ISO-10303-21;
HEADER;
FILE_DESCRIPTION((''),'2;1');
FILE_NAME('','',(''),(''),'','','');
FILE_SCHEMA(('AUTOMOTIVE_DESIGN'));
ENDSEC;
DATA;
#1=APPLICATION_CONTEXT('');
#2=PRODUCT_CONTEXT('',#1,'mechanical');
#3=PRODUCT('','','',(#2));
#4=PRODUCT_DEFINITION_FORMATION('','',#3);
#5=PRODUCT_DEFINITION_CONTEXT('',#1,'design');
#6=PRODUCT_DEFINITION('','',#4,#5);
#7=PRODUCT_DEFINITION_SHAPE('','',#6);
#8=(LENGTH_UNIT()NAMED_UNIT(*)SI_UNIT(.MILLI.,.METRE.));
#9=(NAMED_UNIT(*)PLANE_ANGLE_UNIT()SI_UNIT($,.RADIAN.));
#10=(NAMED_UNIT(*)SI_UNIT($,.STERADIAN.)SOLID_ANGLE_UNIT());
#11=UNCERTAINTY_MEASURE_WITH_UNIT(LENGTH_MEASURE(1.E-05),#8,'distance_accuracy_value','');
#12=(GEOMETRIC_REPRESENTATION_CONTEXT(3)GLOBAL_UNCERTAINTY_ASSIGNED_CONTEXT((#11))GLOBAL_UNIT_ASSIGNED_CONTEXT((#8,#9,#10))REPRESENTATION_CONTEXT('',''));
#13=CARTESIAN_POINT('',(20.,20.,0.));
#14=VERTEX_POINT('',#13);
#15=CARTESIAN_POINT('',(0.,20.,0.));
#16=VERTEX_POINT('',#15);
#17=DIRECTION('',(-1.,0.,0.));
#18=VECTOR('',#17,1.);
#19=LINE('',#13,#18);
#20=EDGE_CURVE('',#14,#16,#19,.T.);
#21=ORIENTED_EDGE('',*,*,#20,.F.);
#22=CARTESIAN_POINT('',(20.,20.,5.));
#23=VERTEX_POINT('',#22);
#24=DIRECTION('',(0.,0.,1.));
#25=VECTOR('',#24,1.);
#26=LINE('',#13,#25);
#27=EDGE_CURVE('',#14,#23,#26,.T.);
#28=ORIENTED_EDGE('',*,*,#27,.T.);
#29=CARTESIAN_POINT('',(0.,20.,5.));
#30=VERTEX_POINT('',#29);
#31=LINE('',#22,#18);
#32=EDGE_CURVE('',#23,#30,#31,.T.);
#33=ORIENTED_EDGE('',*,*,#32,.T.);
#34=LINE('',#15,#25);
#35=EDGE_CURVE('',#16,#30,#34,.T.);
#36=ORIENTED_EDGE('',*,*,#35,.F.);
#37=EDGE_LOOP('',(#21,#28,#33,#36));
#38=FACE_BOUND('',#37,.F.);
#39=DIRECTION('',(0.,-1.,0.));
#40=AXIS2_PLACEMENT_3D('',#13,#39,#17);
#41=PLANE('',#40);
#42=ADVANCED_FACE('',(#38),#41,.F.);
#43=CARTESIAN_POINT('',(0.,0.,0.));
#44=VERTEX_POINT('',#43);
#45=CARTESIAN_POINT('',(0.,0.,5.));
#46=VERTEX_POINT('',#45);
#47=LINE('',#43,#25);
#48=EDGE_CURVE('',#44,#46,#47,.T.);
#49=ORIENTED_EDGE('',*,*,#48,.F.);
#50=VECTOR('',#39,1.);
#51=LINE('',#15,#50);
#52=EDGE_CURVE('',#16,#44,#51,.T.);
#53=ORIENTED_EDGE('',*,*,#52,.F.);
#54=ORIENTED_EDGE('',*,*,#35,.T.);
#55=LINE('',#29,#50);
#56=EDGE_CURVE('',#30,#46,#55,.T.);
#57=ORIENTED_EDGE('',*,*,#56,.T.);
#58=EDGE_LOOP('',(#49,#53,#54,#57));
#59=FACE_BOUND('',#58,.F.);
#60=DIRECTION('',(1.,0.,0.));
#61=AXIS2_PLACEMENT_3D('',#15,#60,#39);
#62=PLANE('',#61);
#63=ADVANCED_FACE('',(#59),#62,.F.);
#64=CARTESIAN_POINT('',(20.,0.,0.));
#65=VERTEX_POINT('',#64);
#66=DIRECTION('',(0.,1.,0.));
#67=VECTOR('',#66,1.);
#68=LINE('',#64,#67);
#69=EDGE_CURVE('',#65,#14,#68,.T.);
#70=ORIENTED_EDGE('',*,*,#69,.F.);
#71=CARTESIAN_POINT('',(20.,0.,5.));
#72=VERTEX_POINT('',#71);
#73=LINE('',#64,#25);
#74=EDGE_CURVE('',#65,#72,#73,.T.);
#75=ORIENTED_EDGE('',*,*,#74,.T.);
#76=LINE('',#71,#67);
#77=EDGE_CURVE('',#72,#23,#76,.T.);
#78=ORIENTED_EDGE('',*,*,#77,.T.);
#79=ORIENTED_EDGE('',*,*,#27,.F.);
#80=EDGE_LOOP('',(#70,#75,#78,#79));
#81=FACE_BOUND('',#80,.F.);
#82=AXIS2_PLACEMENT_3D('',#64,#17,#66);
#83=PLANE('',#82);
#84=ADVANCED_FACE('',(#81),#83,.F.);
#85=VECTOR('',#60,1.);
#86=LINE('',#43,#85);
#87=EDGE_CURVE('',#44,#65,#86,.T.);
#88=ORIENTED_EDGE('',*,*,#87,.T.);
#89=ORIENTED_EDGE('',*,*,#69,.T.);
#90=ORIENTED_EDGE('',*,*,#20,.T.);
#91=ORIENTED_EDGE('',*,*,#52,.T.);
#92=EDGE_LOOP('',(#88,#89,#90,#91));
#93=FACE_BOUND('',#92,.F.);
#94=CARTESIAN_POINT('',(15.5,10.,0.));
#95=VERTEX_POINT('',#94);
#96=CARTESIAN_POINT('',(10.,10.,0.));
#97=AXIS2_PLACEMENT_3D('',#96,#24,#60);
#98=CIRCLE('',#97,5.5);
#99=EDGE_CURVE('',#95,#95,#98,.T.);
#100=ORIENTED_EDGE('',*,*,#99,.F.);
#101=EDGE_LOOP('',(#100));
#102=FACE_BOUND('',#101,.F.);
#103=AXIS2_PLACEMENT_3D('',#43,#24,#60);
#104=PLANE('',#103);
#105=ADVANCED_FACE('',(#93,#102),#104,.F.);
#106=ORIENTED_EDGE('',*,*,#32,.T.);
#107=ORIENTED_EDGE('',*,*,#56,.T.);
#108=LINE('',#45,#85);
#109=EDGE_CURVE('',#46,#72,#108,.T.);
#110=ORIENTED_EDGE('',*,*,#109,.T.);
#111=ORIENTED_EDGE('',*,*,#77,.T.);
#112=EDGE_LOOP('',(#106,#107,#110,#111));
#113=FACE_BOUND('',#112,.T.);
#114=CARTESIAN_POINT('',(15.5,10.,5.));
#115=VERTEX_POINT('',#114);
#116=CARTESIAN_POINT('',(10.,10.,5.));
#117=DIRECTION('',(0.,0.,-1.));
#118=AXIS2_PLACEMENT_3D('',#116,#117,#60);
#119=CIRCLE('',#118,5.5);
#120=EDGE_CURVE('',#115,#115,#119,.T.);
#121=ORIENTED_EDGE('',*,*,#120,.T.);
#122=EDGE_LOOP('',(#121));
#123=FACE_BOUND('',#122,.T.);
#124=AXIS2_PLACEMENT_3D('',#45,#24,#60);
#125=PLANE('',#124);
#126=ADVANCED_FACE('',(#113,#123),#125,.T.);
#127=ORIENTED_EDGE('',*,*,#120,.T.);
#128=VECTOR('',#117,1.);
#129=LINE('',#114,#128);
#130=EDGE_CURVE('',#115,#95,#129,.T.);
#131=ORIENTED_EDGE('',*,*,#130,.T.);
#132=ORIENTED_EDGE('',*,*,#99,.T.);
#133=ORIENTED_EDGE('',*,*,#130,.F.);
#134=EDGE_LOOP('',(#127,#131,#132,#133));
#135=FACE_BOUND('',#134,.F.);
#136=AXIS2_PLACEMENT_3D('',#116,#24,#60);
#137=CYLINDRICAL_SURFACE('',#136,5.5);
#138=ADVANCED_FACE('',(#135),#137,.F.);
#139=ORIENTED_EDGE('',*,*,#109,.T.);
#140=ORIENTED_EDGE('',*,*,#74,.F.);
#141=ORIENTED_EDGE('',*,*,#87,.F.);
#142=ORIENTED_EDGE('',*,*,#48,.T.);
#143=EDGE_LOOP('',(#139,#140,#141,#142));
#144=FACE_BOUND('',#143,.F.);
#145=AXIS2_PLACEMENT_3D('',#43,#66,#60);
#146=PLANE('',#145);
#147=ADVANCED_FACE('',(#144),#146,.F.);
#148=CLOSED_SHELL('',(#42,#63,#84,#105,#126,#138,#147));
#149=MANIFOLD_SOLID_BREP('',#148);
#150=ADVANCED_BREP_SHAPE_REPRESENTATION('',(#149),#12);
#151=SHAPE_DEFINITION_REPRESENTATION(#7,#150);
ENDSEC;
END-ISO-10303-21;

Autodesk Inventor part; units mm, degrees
ref_plane "YZ Plane" through (0, 0, 0) normal (1, 0, 0) x (0, 1, 0)
ref_plane "XZ Plane" through (0, 0, 0) normal (0, 1, 0) x (-1, 0, 0)
ref_plane "XY Plane" through (0, 0, 0) normal (0, 0, 1) x (1, 0, 0)
sketch "Sketch1" plane through (0, 0, 0) normal (0, 0, 1) x (1, 0, 0)
  line L0 (0, 0) -> (20, 0)
  line L1 (20, 0) -> (20, 20)
  line L2 (20, 20) -> (0, 20)
  line L3 (0, 20) -> (0, 0)
  dimension "d0" = 20
  dimension "d1" = 20
extrude "Extrusion1" add sketch "Sketch1" along normal blind 5
sketch "Sketch2" plane through (0, 0, 5) normal (0, 0, 1) x (1, 0, 0)
  line L0 (0, 0) -> (10, 0)
  line L1 (0, 0) -> (20, 0) projected
  line L2 (10, 0) -> (10, 10)
  circle A0 centre (10, 10) radius 5.5
  dimension "d4" = 10
  dimension "d5" = 10
  dimension "d6" = 11
extrude "Extrusion2" cut sketch "Sketch2" against normal through all
thread "Thread1" size "M11x1.5" class "6H" standard "ANSI Metric M Profile" full length
properties part number "nut for capping system"
